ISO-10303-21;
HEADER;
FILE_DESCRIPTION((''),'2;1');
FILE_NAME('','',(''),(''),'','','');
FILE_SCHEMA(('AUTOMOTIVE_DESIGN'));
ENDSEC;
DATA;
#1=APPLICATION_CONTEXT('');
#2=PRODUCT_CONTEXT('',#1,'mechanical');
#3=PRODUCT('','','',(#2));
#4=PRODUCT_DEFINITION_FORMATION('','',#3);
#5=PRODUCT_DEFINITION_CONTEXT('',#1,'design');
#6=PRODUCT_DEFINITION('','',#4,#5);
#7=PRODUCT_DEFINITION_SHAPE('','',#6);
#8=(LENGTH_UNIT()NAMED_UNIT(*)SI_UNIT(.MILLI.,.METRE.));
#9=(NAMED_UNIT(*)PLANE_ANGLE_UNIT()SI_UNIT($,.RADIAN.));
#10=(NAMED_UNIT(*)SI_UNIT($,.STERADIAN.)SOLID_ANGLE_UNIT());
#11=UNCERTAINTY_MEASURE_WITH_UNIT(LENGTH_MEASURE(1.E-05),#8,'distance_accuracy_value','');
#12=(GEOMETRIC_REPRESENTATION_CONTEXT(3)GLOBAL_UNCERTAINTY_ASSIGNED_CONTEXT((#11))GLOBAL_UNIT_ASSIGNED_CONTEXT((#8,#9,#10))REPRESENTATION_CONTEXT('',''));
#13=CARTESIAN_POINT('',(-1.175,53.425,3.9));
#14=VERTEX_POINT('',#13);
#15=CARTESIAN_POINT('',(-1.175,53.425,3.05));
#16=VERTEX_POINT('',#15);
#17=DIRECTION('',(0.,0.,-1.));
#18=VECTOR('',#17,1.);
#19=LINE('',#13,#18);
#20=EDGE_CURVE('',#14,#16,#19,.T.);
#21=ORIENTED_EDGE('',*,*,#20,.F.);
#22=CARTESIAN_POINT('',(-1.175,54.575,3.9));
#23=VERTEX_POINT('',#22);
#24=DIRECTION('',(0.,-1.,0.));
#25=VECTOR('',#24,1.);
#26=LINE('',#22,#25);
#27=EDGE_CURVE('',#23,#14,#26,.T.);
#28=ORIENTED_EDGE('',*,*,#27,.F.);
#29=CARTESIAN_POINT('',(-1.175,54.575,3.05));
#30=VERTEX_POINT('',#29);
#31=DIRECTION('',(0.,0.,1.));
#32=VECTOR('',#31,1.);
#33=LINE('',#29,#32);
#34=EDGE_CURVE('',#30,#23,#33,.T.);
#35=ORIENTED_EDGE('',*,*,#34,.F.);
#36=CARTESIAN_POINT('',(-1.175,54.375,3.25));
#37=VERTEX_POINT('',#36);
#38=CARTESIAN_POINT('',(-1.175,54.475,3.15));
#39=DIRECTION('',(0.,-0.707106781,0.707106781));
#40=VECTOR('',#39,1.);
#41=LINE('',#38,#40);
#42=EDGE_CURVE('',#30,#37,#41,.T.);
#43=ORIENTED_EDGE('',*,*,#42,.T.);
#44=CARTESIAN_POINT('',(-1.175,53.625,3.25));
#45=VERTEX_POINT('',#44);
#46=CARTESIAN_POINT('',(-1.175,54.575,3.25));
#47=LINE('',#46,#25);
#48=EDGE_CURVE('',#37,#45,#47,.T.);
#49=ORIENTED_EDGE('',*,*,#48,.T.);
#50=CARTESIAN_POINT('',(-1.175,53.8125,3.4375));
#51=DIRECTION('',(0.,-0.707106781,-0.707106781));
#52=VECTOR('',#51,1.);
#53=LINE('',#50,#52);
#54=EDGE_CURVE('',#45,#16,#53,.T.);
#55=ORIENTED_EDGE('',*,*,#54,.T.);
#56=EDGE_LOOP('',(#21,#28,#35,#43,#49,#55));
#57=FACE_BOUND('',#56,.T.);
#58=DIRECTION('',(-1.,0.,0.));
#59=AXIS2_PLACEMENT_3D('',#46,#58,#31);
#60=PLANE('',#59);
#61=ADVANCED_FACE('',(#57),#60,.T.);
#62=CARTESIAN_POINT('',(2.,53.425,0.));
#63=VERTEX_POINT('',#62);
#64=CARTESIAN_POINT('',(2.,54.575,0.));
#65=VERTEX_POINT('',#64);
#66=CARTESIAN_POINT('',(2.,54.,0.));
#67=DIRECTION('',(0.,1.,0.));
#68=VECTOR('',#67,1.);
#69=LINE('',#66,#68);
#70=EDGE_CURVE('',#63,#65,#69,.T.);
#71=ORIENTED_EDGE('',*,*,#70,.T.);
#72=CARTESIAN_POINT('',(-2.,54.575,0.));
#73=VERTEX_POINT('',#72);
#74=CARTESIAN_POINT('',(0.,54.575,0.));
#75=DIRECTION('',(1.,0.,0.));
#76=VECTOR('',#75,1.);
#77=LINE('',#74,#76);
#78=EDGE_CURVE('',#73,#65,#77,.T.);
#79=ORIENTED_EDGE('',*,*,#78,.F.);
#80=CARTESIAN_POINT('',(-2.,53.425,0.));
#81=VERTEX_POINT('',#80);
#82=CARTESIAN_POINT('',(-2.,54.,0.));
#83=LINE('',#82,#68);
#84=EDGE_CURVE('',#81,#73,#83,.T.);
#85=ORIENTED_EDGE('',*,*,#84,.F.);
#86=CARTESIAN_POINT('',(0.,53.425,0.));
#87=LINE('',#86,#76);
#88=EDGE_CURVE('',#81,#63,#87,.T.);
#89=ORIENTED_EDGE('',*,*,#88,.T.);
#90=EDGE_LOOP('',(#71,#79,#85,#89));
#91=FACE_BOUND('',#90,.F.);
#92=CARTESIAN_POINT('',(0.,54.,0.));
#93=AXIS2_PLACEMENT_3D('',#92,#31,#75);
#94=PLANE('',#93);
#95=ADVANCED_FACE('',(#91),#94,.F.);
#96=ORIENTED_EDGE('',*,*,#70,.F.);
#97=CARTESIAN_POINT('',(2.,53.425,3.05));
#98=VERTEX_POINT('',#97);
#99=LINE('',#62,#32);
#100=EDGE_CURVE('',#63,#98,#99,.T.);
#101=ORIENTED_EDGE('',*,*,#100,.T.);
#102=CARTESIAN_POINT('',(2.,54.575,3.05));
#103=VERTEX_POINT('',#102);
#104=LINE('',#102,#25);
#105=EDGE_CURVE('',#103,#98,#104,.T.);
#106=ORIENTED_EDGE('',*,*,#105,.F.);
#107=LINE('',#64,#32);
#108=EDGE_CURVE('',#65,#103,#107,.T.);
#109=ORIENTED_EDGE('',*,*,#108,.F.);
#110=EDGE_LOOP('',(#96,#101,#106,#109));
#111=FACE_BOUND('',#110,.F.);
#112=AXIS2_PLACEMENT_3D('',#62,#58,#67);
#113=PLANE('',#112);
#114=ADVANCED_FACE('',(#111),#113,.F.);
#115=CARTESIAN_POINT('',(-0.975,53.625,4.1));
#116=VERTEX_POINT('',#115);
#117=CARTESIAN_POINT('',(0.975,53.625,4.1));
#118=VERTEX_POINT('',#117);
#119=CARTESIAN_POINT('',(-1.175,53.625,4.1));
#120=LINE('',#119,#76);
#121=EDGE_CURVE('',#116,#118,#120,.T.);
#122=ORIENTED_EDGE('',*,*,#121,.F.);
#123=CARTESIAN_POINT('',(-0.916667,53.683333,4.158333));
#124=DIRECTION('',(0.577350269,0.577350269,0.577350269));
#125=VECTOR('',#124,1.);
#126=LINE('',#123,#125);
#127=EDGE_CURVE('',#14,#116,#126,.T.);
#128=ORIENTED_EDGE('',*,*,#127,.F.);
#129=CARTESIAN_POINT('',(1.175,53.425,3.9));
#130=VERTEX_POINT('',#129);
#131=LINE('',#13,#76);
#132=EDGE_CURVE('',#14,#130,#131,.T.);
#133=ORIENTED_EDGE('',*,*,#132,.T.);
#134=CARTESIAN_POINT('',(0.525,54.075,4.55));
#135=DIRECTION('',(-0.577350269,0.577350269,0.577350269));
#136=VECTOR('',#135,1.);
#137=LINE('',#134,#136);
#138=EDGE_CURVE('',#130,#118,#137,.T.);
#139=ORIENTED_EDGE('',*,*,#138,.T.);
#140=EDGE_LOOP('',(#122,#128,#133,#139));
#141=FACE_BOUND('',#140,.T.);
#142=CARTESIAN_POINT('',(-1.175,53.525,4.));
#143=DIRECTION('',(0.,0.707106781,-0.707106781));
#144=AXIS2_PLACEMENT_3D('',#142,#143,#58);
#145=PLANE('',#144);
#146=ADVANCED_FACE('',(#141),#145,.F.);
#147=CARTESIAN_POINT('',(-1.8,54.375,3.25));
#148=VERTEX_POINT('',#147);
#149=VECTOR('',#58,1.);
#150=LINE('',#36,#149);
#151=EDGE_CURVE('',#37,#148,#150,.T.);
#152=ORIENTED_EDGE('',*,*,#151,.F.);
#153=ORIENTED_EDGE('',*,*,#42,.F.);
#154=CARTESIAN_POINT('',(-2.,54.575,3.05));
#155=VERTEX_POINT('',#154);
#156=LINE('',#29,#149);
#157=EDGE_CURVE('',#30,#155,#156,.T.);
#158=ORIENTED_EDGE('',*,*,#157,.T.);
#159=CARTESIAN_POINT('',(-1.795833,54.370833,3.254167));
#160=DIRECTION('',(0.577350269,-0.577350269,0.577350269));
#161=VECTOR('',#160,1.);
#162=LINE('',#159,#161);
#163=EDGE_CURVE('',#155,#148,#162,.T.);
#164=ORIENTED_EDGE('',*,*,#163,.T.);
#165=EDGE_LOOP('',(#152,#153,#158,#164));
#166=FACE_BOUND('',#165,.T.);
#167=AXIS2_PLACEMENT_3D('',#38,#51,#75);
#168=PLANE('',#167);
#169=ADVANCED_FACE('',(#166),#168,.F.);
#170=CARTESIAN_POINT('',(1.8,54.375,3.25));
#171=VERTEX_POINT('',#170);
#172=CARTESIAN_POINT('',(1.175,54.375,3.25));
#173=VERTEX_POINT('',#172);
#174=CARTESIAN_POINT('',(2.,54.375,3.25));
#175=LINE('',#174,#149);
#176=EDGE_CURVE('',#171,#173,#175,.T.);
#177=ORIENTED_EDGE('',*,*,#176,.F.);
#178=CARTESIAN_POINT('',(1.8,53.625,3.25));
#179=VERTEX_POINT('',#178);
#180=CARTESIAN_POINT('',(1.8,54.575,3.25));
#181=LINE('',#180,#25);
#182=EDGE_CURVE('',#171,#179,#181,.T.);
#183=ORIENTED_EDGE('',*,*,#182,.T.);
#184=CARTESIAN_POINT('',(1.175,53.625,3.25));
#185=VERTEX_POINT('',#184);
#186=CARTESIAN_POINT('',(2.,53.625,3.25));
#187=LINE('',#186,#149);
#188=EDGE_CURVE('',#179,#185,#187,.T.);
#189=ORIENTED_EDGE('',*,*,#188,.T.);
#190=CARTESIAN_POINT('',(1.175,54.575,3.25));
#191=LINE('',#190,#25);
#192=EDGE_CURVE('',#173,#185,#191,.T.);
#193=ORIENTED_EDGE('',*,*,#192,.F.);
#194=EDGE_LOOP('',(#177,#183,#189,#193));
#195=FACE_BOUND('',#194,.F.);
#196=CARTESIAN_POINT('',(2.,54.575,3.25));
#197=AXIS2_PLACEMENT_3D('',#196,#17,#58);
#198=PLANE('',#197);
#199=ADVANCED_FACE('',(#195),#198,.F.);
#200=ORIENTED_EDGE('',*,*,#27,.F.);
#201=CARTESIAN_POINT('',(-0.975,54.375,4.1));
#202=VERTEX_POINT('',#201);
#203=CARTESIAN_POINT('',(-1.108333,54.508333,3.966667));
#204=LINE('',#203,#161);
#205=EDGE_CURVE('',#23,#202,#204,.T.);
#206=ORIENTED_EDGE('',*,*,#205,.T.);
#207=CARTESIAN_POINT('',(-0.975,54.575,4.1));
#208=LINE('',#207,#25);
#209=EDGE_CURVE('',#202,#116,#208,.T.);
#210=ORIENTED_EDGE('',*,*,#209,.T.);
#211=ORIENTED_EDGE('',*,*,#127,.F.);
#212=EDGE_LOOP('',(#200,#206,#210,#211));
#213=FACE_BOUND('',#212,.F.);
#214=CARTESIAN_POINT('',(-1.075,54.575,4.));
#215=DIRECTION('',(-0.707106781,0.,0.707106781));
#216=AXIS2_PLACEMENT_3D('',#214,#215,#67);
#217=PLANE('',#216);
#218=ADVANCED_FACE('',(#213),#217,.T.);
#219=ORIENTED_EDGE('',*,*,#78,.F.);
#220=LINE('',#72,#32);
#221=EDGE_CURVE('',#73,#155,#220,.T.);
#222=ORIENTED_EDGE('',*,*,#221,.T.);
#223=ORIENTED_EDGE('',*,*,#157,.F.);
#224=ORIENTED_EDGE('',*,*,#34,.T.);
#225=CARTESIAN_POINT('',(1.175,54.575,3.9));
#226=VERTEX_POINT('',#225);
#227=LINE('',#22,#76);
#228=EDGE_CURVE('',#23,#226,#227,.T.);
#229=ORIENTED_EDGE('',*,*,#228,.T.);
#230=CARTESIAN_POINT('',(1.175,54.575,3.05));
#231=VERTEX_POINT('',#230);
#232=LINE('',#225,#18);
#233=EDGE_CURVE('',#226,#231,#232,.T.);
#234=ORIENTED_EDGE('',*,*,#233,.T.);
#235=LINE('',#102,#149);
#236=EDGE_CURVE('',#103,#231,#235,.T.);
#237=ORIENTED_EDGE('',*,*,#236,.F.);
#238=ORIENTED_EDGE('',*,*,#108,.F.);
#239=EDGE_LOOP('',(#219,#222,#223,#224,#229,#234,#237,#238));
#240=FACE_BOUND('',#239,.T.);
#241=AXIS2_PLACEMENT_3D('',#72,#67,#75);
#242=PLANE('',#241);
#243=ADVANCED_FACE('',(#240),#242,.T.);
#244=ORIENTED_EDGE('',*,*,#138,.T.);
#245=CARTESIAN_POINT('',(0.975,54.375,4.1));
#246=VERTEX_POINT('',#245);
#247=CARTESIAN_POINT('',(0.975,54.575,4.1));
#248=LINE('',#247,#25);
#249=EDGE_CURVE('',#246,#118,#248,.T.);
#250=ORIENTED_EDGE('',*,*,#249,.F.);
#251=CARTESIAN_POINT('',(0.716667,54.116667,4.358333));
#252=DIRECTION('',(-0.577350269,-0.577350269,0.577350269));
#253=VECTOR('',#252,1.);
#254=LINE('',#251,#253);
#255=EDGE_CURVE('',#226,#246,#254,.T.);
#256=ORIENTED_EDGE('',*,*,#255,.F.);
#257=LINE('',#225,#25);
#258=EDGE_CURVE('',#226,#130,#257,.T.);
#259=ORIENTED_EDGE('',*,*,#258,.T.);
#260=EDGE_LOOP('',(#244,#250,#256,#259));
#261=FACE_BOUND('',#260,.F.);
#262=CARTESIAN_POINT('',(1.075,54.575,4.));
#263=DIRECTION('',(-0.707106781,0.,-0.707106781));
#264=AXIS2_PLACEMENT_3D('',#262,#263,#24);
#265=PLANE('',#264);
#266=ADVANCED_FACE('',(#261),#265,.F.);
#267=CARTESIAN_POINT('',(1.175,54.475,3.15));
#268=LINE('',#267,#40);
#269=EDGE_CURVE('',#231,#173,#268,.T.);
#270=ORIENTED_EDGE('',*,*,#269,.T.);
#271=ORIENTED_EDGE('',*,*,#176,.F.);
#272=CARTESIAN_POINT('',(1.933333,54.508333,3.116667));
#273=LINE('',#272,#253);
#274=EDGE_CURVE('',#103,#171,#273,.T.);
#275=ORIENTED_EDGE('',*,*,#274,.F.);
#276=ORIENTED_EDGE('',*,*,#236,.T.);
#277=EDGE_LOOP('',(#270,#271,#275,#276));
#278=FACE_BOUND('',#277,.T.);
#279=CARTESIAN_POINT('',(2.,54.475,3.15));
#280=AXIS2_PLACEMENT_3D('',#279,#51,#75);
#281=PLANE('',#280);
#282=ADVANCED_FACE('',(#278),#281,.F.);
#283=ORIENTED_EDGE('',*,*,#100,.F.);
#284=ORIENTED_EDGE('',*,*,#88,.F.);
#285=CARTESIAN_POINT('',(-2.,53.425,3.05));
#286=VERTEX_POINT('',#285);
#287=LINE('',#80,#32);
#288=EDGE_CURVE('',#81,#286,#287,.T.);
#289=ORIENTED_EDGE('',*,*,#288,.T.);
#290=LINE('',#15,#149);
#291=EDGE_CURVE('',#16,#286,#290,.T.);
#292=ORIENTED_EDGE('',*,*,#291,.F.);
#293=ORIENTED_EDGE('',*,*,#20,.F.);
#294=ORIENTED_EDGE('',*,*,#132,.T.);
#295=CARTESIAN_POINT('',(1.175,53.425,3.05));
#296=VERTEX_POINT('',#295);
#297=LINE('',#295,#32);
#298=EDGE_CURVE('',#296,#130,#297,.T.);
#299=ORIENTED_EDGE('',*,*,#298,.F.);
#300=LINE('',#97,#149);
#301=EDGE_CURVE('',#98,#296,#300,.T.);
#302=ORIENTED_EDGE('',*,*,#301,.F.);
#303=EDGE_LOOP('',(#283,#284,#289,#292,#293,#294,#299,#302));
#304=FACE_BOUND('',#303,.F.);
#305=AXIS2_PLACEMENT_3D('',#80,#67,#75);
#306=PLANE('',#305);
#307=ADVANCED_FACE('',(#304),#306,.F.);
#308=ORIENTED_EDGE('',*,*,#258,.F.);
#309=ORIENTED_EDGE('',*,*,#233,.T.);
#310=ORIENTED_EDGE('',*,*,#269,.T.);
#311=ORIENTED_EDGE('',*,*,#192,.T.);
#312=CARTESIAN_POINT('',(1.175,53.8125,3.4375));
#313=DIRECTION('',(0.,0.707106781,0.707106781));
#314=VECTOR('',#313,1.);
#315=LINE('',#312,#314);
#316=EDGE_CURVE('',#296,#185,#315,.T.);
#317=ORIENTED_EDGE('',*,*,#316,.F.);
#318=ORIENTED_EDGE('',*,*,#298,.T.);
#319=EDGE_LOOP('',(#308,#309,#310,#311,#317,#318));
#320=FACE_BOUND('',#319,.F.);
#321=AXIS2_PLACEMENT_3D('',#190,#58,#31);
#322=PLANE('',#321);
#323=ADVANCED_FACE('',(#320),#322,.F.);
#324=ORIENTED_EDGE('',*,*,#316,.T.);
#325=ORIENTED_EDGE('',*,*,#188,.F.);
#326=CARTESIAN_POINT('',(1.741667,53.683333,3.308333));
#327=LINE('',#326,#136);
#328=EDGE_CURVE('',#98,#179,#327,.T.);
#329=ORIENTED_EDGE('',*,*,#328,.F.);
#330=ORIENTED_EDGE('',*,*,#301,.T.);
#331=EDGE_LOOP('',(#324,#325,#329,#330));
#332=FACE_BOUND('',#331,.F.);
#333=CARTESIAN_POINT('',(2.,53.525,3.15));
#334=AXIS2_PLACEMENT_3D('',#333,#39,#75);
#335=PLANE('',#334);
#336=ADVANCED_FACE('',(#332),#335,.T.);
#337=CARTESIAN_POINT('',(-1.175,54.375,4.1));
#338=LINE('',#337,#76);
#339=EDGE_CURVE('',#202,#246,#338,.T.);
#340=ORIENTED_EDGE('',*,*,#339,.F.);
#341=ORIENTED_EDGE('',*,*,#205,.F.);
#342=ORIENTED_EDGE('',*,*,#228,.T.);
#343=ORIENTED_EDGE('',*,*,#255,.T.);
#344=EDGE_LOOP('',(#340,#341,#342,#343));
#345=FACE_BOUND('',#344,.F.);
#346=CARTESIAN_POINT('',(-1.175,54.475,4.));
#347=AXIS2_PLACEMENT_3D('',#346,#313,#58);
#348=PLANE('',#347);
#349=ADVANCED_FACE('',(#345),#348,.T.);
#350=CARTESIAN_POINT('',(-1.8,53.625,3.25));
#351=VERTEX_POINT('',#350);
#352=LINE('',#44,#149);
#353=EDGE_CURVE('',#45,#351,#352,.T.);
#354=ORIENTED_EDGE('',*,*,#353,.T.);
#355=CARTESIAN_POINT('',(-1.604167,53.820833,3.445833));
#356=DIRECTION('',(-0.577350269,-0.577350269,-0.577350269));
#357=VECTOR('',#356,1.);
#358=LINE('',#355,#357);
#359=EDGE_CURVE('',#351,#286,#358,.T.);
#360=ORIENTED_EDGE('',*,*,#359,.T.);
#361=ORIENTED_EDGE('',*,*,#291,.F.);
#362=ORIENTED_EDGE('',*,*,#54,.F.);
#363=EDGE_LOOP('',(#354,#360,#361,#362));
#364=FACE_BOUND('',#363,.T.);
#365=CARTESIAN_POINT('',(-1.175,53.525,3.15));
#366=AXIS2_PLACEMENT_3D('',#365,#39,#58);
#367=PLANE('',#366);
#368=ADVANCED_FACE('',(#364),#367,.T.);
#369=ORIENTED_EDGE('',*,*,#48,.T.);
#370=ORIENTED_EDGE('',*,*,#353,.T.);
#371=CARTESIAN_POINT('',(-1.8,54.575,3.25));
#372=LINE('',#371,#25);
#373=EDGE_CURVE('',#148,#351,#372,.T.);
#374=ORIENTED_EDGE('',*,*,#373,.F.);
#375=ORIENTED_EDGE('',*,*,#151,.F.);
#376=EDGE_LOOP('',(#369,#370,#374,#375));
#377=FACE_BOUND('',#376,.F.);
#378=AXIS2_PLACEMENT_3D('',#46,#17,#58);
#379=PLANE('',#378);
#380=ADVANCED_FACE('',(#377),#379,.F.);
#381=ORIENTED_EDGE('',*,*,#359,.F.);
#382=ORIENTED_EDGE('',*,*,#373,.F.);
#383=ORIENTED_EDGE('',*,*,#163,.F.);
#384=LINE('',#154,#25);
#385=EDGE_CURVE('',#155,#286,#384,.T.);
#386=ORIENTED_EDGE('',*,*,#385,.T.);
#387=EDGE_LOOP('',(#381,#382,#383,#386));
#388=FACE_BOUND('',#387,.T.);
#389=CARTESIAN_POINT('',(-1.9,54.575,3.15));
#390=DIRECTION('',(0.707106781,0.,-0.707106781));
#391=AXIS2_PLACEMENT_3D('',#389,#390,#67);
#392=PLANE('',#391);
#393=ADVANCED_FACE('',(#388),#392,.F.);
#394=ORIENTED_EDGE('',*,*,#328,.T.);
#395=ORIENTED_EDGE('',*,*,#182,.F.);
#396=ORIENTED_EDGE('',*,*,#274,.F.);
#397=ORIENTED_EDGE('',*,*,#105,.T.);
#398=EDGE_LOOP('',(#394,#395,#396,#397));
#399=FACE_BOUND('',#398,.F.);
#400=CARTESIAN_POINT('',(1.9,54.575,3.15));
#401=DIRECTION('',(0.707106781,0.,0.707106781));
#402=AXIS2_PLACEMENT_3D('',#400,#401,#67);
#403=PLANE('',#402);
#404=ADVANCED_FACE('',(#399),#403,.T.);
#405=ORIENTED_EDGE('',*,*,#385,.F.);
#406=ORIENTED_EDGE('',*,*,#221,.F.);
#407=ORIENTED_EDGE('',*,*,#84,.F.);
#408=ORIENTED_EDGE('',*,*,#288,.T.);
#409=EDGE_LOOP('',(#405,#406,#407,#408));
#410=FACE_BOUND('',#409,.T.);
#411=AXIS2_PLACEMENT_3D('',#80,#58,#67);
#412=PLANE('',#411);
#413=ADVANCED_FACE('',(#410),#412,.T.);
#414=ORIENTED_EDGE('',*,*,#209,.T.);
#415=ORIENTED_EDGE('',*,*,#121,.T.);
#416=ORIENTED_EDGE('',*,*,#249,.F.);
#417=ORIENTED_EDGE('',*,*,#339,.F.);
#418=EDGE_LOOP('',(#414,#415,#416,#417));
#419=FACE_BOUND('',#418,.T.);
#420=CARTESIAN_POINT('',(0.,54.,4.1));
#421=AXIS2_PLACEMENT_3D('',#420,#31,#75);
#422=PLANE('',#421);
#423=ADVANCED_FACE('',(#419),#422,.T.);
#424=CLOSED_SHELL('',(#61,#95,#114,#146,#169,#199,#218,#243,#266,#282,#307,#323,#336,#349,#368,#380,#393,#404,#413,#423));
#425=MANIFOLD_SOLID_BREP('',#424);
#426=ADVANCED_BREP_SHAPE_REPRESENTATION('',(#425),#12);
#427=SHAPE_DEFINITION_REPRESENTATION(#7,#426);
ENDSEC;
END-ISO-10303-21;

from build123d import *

# Parameters (mm, degrees)
SKETCH008_W     = 4
SKETCH008_H     = 1.15
PAD005_DEPTH    = 4.1
SKETCH009_W     = 0.825
SKETCH009_H     = 0.85
POCKET002_DEPTH = 5
CHAMFER005_SIZE = 0.2


with BuildPart() as part:
    # Sketch008 → Pad005 (new body)
    with BuildSketch(Plane.XY):
        Rectangle(SKETCH008_W, SKETCH008_H)
    extrude(amount=PAD005_DEPTH)

    # Sketch009 (on Face1 of Pad005) → Pocket002 (cut)
    with BuildSketch(Plane(origin=(0, 0.575, 0), x_dir=(-1, 0, 0), z_dir=(0, 1, 0))):
        with Locations((-1.5875, 3.675)):
            Rectangle(SKETCH009_W, SKETCH009_H)
        with Locations((1.5875, 3.675)):
            Rectangle(SKETCH009_W, SKETCH009_H)
    extrude(amount=-POCKET002_DEPTH, mode=Mode.SUBTRACT)

    # Chamfer005
    chamfer005_edges = [part.edges().sort_by_distance(p)[0] for p in [
        (0, 0.575, 4.1),
        (0, -0.575, 4.1),
        (1.5875, 0.575, 3.25),
        (-1.5875, 0.575, 3.25),
        (-1.5875, -0.575, 3.25),
        (1.5875, -0.575, 3.25),
        (2, 0, 3.25),
        (-2, 0, 3.25),
        (1.175, 0, 4.1),
        (-1.175, 0, 4.1),
    ]]
    chamfer(chamfer005_edges, length=CHAMFER005_SIZE)


with BuildPart() as part_1:
    # Body043 placement: moved
    add(part.part.moved(Location((0, 54, 0))))


solid = part_1.part
